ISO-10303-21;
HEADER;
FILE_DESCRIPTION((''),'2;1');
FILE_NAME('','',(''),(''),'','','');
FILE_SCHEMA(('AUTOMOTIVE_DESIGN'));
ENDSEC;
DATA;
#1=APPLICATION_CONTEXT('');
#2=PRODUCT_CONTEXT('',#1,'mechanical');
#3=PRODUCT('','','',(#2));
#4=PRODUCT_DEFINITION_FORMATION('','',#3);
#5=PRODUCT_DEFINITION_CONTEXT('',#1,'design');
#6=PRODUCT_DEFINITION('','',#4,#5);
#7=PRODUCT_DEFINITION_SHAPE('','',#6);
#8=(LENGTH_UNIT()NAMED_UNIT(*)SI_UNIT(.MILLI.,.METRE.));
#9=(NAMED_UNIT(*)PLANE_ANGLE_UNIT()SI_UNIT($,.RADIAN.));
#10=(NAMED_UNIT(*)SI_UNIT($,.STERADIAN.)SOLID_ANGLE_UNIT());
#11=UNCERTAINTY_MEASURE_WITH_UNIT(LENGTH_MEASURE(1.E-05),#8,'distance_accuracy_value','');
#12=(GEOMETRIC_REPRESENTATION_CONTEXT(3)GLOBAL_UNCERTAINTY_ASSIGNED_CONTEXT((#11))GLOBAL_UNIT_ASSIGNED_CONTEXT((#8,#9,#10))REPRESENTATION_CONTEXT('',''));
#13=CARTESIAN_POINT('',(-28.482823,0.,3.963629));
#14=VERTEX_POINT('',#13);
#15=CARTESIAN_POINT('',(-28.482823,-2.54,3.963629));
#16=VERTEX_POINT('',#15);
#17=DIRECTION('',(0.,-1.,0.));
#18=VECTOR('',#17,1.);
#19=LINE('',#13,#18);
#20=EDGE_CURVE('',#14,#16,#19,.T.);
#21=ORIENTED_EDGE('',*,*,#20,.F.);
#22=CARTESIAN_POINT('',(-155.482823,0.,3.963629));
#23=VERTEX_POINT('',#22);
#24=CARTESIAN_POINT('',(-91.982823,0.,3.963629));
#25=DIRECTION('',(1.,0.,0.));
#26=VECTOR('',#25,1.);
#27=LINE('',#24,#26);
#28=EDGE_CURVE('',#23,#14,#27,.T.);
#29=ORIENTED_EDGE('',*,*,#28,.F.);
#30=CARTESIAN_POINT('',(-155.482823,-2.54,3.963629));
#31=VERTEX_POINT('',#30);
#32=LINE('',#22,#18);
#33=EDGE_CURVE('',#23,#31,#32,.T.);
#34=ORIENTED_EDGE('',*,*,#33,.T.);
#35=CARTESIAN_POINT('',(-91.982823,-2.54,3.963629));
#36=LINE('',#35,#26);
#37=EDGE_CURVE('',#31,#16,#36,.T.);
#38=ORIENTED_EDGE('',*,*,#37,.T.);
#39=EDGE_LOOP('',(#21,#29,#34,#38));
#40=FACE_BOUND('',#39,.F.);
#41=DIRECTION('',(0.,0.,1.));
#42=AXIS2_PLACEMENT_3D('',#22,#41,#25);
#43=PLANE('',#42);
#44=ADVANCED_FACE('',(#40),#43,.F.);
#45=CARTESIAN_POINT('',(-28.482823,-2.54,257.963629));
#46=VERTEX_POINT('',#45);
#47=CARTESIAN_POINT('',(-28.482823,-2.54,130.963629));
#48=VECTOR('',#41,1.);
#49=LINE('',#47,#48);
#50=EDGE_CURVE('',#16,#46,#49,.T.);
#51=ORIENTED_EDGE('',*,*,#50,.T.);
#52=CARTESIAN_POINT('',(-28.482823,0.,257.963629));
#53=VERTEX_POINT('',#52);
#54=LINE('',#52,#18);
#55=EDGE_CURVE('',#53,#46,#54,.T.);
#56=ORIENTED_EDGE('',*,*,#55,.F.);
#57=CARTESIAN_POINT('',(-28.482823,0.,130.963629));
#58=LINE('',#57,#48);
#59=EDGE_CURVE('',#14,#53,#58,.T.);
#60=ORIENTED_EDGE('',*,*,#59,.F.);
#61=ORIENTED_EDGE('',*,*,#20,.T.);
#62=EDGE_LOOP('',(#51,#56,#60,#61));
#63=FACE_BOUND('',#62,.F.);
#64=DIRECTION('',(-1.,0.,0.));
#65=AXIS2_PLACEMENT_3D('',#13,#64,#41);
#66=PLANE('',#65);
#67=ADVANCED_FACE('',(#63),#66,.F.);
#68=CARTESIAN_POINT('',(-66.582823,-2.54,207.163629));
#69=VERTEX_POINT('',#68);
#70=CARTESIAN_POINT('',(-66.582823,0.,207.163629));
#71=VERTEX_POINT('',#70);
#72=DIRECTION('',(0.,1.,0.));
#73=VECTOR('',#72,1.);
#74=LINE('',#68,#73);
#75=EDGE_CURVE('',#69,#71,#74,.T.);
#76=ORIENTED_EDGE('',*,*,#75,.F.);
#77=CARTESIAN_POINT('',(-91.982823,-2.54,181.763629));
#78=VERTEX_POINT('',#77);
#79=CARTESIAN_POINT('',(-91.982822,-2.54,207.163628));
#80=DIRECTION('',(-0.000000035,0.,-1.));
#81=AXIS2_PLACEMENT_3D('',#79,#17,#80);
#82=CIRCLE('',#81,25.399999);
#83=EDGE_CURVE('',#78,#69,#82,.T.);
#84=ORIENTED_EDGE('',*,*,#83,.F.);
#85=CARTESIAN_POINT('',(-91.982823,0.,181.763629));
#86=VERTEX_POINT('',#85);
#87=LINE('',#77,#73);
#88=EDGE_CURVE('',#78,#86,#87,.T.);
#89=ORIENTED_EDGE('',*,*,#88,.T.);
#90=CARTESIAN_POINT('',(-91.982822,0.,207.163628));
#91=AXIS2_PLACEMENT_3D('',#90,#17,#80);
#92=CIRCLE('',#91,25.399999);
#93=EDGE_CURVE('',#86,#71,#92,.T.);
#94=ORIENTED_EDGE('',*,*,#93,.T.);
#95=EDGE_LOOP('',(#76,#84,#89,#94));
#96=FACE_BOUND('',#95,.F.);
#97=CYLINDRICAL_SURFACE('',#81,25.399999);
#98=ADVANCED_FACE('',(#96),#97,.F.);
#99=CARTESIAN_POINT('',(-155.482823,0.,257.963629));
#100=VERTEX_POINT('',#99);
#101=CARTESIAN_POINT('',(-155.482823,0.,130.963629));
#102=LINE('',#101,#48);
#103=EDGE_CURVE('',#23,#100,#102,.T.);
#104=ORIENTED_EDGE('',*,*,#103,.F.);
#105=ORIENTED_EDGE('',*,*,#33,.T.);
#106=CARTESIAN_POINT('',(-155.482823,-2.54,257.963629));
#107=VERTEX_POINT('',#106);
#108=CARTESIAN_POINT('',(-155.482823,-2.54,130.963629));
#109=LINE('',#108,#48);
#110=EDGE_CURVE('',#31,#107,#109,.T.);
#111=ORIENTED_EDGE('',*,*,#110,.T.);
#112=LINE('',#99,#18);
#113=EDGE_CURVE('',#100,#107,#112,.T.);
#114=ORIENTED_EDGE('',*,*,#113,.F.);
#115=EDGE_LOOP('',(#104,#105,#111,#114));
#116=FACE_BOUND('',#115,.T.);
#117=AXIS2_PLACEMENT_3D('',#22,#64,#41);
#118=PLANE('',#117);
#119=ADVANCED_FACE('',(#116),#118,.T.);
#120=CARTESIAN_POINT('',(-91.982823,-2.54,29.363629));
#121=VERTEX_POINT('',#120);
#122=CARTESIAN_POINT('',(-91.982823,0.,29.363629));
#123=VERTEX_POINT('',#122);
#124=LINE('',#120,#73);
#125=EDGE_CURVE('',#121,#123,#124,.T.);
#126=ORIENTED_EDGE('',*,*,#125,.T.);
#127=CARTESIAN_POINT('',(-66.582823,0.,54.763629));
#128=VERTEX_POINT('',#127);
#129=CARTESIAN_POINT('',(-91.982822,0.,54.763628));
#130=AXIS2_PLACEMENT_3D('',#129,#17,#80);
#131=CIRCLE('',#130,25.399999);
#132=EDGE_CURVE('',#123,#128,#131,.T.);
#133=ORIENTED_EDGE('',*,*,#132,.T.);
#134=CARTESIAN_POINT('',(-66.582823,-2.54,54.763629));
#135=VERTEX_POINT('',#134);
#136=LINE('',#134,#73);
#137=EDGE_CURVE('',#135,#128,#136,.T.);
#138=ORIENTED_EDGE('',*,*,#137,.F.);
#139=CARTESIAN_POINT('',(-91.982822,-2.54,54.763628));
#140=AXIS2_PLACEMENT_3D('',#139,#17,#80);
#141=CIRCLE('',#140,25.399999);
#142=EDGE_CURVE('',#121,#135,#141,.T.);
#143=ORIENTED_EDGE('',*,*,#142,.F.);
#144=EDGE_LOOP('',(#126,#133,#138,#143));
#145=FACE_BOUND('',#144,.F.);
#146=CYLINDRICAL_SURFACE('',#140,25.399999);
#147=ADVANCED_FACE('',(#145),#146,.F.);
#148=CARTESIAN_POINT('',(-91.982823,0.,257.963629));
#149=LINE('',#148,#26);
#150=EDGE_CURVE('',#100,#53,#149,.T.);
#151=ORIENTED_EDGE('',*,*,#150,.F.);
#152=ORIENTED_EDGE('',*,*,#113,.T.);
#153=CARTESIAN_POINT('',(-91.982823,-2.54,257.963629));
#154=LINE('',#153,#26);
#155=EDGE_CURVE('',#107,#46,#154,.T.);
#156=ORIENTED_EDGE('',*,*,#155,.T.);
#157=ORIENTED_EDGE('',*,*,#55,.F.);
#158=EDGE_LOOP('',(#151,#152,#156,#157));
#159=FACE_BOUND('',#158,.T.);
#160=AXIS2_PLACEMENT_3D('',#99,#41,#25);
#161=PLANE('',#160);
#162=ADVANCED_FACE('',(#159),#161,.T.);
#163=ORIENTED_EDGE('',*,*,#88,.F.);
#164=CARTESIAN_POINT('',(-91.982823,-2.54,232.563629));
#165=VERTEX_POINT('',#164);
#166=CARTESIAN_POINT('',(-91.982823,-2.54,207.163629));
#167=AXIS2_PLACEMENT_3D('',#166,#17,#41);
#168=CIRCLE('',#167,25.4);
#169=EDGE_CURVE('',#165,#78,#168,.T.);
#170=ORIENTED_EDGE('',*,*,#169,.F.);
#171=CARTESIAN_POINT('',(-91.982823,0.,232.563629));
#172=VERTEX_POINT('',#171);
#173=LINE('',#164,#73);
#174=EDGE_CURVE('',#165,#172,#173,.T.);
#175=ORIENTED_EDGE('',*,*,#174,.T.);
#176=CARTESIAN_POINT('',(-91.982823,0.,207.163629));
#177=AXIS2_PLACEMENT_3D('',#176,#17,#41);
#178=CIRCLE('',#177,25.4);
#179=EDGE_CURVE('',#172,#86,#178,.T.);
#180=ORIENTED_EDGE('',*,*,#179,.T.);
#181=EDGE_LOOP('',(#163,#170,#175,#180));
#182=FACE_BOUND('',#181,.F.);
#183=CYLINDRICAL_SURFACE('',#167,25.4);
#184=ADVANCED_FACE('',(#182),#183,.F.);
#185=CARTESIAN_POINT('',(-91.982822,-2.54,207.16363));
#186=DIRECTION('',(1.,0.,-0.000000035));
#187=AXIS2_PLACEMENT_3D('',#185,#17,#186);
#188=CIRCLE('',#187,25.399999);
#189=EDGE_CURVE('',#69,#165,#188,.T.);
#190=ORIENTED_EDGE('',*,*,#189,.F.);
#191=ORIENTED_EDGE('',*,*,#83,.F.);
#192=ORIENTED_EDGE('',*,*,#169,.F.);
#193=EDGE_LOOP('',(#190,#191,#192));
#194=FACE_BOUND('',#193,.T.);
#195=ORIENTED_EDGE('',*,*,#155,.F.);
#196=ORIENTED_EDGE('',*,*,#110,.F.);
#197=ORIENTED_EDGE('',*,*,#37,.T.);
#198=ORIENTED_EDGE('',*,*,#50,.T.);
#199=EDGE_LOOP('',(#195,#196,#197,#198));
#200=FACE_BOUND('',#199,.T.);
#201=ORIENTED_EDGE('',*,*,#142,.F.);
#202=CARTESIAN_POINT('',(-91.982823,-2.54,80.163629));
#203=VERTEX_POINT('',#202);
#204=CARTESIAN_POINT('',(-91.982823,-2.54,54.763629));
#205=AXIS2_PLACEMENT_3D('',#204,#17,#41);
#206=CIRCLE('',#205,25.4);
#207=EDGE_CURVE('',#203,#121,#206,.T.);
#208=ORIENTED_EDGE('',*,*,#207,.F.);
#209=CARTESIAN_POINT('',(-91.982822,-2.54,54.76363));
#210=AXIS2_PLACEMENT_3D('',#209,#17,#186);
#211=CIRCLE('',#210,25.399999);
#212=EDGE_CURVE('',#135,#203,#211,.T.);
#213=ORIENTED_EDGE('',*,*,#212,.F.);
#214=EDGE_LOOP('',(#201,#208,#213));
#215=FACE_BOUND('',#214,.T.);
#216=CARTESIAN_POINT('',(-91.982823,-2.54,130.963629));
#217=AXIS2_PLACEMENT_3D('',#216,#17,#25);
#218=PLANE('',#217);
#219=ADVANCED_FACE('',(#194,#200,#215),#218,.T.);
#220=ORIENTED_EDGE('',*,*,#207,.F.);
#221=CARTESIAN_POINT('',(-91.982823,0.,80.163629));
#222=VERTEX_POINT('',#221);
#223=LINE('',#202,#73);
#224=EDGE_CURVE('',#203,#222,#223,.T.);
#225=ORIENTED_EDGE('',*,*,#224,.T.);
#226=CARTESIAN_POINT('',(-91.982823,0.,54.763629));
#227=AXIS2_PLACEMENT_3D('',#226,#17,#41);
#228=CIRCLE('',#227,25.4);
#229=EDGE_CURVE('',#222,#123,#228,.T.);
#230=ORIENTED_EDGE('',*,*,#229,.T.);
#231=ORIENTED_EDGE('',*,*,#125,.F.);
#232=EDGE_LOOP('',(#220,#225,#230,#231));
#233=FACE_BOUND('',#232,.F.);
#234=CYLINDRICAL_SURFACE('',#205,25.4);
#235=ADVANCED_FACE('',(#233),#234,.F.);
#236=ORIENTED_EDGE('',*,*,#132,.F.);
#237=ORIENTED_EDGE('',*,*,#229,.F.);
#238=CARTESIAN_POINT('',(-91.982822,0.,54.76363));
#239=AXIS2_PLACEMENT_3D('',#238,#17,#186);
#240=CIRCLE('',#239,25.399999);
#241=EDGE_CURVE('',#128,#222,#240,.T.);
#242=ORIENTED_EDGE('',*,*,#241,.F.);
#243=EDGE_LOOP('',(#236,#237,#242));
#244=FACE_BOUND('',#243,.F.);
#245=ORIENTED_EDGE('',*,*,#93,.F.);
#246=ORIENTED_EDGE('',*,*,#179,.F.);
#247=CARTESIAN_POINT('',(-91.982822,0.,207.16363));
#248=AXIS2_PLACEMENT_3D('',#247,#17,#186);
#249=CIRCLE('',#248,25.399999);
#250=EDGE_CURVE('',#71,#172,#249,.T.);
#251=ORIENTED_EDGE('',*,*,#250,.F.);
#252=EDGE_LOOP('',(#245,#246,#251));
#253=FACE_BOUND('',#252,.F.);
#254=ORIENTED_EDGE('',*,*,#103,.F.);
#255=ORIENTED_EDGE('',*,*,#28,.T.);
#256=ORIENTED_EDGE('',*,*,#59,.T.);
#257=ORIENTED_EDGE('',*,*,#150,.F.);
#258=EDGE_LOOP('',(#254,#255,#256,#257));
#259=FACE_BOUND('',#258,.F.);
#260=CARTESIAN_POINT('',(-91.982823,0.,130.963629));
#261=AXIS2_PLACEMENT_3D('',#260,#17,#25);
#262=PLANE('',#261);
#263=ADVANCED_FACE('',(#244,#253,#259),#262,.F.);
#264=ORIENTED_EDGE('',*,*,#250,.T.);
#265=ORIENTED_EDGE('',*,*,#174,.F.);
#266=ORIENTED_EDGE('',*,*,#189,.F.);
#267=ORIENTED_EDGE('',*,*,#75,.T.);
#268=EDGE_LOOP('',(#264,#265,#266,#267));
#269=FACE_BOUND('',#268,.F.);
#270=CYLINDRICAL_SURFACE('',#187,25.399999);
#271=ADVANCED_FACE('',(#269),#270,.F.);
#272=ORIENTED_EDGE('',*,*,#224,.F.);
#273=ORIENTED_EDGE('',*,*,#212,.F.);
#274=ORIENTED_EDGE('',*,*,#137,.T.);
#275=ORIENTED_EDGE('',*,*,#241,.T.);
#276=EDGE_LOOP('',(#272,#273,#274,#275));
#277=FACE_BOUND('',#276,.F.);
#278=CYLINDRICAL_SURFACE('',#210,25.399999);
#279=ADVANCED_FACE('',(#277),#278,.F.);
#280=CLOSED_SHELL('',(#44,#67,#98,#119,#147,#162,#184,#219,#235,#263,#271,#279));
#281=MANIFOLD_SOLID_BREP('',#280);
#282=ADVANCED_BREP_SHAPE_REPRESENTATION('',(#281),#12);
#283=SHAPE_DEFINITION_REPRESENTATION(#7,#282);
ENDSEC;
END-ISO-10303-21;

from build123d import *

# Parameters (mm, degrees)
F0_W     = 127
F0_H     = 254
F1_DEPTH = 2.54
F3_DEPTH = 25.4
F5_DEPTH = 25.4


with BuildPart() as f1:
    # F0 (on Front) → F1 (new body)
    with BuildSketch(Plane.XZ):
        with Locations((-91.982823, 130.963629)):
            Rectangle(F0_W, F0_H)
    extrude(amount=F1_DEPTH)

    # F2 (on face) → F3 (cut)
    with BuildSketch(Plane.XZ.offset(2.54)):
        with BuildLine():
            Line((-91.982823, 181.763629), (-91.982823, 232.563629))
            ThreePointArc((-91.982823, 232.563629), (-117.382823, 207.163629), (-91.982823, 181.763629))
        make_face()
        with BuildLine():
            ThreePointArc((-66.582823, 207.163629), (-74.02231, 225.124141), (-91.982823, 232.563629))
            Line((-91.982823, 232.563629), (-91.982823, 181.763629))
            ThreePointArc((-91.982823, 181.763629), (-74.02231, 189.203117), (-66.582823, 207.163629))
        make_face()
    extrude(amount=-F3_DEPTH, mode=Mode.SUBTRACT)

    # F4 (on face) → F5 (cut)
    with BuildSketch(Plane.XZ.offset(2.54)):
        with BuildLine():
            ThreePointArc((-91.982823, 80.163629), (-117.382823, 54.763629), (-91.982823, 29.363629))
            Line((-91.982823, 29.363629), (-91.982823, 80.163629))
        make_face()
        with BuildLine():
            Line((-91.982823, 80.163629), (-91.982823, 29.363629))
            ThreePointArc((-91.982823, 29.363629), (-74.02231, 36.803117), (-66.582823, 54.763629))
            ThreePointArc((-66.582823, 54.763629), (-74.02231, 72.724141), (-91.982823, 80.163629))
        make_face()
    extrude(amount=-F5_DEPTH, mode=Mode.SUBTRACT)


solid = f1.part
